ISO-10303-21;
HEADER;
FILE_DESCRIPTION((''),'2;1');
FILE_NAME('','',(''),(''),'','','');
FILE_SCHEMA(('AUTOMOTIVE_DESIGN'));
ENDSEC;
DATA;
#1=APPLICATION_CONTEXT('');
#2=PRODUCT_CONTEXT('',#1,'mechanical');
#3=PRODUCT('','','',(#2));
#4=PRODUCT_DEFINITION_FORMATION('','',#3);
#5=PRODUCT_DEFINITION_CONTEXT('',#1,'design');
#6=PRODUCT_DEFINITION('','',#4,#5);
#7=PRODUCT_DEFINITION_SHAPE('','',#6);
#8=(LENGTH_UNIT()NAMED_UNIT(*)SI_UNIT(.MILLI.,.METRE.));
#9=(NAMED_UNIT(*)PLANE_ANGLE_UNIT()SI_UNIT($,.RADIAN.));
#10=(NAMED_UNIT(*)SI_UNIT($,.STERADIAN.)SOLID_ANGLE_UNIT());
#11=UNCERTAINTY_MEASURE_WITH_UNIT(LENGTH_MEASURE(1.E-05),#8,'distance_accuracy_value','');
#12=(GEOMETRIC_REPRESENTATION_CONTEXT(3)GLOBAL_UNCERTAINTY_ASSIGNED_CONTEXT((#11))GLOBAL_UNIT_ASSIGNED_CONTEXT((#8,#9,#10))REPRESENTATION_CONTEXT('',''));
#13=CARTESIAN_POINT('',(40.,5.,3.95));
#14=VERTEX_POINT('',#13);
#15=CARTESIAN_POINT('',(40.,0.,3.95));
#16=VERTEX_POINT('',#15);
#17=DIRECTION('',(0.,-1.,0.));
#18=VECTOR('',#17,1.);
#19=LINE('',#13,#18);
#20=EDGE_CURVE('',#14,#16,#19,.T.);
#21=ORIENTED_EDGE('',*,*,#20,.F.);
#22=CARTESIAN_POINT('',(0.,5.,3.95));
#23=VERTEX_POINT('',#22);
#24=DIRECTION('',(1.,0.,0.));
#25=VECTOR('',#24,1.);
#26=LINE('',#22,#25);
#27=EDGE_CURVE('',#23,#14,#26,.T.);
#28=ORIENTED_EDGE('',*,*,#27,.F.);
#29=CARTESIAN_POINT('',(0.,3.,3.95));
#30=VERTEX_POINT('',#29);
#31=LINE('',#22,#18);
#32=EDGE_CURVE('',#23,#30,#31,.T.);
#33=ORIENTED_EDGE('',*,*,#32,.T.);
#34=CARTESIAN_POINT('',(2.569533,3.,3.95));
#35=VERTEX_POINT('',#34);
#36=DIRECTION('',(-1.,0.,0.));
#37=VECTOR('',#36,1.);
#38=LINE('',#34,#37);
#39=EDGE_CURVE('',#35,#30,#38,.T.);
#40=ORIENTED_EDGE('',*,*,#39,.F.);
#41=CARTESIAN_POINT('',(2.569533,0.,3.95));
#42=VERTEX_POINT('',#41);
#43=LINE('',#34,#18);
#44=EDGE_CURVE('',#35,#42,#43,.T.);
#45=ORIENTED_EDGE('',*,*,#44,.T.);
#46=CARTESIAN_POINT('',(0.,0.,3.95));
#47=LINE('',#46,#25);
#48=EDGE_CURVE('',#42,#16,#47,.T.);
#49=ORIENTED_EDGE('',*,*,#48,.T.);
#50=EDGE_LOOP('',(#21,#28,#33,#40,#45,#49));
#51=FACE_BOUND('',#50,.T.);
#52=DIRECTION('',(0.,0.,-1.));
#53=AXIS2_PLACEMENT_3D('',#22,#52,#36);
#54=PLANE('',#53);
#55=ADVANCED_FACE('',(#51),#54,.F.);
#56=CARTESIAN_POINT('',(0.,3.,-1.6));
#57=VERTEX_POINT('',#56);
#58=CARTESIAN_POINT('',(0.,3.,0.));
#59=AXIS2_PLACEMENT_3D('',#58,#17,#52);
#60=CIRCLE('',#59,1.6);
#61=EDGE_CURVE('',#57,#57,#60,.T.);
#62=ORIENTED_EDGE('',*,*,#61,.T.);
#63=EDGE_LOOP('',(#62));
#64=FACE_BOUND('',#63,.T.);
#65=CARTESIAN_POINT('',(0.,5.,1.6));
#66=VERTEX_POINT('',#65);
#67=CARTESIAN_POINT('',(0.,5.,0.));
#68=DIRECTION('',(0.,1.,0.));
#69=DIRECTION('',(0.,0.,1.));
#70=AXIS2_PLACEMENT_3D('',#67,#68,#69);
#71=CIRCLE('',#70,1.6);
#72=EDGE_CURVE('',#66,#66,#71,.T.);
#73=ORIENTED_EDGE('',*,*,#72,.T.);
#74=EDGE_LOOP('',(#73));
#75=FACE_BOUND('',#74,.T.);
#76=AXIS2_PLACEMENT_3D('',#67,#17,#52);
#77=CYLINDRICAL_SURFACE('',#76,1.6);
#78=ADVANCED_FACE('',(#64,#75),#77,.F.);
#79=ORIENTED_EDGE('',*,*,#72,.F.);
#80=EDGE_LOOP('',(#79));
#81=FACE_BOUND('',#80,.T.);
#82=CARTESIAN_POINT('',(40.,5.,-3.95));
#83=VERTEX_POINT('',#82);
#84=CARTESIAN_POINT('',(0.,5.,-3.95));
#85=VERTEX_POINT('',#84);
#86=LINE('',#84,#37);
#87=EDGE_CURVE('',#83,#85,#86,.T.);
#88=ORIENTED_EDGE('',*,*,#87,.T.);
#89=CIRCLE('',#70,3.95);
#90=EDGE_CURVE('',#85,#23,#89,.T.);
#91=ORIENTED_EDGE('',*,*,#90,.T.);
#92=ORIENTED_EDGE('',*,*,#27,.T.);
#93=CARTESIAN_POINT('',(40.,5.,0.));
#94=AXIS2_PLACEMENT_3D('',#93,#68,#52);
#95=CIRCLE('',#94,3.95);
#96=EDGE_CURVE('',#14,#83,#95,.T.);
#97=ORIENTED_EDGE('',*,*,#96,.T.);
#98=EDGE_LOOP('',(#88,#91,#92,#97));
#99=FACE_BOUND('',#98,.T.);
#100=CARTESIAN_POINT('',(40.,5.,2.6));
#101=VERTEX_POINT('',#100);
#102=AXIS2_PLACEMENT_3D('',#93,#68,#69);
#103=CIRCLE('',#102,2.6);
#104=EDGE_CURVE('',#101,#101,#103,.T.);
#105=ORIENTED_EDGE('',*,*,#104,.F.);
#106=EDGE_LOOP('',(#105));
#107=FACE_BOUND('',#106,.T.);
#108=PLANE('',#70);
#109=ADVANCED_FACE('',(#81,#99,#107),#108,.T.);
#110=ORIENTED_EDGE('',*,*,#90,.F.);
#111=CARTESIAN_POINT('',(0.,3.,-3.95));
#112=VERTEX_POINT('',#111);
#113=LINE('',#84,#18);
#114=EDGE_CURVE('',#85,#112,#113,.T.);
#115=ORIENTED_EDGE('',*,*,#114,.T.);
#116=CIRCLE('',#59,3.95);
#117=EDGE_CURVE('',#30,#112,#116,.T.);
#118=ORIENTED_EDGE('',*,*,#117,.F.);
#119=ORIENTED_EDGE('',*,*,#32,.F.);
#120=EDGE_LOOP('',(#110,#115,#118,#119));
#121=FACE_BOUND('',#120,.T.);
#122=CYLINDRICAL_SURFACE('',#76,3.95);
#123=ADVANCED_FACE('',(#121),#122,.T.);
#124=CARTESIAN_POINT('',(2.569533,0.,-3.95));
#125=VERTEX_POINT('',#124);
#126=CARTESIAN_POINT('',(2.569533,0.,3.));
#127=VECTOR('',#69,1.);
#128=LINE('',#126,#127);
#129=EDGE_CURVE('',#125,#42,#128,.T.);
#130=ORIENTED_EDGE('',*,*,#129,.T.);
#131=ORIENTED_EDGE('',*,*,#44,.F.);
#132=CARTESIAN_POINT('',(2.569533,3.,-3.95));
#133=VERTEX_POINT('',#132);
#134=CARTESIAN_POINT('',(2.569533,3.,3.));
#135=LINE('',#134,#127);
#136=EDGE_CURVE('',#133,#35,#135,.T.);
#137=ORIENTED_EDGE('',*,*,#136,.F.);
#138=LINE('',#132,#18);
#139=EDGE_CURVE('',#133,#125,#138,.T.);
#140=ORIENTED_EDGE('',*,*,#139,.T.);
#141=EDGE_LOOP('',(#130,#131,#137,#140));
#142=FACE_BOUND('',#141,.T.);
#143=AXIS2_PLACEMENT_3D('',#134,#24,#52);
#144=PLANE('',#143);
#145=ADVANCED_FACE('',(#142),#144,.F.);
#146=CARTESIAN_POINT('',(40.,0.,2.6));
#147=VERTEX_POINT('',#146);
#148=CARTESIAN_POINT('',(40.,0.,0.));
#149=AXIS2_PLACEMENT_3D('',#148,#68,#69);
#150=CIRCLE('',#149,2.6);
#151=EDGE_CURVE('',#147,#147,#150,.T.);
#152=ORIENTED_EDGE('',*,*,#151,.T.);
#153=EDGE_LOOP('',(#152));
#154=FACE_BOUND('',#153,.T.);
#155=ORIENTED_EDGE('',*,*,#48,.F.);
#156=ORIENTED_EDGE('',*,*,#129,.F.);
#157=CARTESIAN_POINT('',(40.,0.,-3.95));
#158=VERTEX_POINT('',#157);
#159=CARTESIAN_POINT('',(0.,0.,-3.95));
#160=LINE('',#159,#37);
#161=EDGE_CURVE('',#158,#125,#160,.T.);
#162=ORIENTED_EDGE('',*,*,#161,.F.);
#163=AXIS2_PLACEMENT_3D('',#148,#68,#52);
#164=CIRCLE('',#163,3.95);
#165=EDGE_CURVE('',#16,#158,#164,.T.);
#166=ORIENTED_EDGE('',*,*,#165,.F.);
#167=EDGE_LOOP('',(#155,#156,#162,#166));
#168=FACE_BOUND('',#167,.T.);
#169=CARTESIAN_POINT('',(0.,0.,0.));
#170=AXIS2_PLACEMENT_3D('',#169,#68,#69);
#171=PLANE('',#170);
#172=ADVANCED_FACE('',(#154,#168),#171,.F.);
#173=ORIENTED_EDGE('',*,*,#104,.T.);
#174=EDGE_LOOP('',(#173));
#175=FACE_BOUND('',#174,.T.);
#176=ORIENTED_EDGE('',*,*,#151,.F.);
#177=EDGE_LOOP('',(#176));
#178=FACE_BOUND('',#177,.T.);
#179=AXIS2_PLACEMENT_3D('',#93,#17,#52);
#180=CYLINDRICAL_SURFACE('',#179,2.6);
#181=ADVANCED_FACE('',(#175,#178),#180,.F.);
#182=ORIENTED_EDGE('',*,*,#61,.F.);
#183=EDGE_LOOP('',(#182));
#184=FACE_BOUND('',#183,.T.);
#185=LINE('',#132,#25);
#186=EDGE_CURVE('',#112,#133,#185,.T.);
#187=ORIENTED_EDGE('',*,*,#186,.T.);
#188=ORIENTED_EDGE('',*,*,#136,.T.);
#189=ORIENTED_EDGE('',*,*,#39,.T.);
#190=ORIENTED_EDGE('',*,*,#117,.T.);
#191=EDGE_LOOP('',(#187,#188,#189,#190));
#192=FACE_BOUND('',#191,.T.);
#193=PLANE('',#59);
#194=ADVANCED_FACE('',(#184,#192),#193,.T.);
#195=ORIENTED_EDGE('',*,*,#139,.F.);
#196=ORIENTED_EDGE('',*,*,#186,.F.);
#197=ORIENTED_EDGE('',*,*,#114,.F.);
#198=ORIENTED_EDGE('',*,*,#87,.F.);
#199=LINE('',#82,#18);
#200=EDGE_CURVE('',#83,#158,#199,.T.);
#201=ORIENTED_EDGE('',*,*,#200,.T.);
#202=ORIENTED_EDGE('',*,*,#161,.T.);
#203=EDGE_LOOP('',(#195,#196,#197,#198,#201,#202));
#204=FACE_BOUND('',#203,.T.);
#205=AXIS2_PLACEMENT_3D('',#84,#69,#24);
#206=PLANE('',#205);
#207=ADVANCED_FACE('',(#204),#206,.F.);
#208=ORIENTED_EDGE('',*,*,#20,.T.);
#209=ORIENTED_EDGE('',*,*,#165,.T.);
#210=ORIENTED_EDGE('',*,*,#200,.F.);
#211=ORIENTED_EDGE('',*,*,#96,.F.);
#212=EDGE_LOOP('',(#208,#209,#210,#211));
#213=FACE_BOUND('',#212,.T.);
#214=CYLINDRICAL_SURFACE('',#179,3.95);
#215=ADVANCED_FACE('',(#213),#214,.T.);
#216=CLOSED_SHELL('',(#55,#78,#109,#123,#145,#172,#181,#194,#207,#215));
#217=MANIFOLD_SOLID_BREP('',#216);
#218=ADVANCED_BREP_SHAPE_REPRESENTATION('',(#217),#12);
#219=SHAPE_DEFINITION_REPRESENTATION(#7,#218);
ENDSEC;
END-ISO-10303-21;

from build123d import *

# Parameters (mm, degrees)
SKETCH1_R           = 1.6
SKETCH1_R_2         = 2.6
BOSS_EXTRUDE1_DEPTH = 5
SKETCH2_R           = 1.6
CUT_EXTRUDE1_DEPTH  = 3


with BuildPart() as part:
    # Sketch1 → Boss-Extrude1 (new body)
    with BuildSketch(Plane(origin=(0, 0, 0), x_dir=(1, 0, 0), z_dir=(0, 1, 0))):
        with BuildLine():
            Line((0, 3.95), (40, 3.95))
            ThreePointArc((40, 3.95), (43.95, 0), (40, -3.95))
            Line((40, -3.95), (0, -3.95))
            ThreePointArc((0, -3.95), (-3.95, 0), (0, 3.95))
        make_face()
        Circle(SKETCH1_R, mode=Mode.SUBTRACT)
        with Locations((40, 0)):
            Circle(SKETCH1_R_2, mode=Mode.SUBTRACT)
    extrude(amount=BOSS_EXTRUDE1_DEPTH)

    # Sketch2 → Cut-Extrude1 (cut)
    with BuildSketch(Plane.XZ):
        with BuildLine():
            Line((2.569533032, 3), (2.569533032, -3))
            Line((2.569533032, -3), (2.569533032, -3.95))
            Line((2.569533032, -3.95), (0, -3.95))
            ThreePointArc((0, -3.95), (-3.95, 0), (0, 3.95))
            Line((0, 3.95), (2.569533032, 3.95))
            Line((2.569533032, 3.95), (2.569533032, 3))
        make_face()
        Circle(SKETCH2_R, mode=Mode.SUBTRACT)
    extrude(amount=-CUT_EXTRUDE1_DEPTH, mode=Mode.SUBTRACT)


solid = part.part
